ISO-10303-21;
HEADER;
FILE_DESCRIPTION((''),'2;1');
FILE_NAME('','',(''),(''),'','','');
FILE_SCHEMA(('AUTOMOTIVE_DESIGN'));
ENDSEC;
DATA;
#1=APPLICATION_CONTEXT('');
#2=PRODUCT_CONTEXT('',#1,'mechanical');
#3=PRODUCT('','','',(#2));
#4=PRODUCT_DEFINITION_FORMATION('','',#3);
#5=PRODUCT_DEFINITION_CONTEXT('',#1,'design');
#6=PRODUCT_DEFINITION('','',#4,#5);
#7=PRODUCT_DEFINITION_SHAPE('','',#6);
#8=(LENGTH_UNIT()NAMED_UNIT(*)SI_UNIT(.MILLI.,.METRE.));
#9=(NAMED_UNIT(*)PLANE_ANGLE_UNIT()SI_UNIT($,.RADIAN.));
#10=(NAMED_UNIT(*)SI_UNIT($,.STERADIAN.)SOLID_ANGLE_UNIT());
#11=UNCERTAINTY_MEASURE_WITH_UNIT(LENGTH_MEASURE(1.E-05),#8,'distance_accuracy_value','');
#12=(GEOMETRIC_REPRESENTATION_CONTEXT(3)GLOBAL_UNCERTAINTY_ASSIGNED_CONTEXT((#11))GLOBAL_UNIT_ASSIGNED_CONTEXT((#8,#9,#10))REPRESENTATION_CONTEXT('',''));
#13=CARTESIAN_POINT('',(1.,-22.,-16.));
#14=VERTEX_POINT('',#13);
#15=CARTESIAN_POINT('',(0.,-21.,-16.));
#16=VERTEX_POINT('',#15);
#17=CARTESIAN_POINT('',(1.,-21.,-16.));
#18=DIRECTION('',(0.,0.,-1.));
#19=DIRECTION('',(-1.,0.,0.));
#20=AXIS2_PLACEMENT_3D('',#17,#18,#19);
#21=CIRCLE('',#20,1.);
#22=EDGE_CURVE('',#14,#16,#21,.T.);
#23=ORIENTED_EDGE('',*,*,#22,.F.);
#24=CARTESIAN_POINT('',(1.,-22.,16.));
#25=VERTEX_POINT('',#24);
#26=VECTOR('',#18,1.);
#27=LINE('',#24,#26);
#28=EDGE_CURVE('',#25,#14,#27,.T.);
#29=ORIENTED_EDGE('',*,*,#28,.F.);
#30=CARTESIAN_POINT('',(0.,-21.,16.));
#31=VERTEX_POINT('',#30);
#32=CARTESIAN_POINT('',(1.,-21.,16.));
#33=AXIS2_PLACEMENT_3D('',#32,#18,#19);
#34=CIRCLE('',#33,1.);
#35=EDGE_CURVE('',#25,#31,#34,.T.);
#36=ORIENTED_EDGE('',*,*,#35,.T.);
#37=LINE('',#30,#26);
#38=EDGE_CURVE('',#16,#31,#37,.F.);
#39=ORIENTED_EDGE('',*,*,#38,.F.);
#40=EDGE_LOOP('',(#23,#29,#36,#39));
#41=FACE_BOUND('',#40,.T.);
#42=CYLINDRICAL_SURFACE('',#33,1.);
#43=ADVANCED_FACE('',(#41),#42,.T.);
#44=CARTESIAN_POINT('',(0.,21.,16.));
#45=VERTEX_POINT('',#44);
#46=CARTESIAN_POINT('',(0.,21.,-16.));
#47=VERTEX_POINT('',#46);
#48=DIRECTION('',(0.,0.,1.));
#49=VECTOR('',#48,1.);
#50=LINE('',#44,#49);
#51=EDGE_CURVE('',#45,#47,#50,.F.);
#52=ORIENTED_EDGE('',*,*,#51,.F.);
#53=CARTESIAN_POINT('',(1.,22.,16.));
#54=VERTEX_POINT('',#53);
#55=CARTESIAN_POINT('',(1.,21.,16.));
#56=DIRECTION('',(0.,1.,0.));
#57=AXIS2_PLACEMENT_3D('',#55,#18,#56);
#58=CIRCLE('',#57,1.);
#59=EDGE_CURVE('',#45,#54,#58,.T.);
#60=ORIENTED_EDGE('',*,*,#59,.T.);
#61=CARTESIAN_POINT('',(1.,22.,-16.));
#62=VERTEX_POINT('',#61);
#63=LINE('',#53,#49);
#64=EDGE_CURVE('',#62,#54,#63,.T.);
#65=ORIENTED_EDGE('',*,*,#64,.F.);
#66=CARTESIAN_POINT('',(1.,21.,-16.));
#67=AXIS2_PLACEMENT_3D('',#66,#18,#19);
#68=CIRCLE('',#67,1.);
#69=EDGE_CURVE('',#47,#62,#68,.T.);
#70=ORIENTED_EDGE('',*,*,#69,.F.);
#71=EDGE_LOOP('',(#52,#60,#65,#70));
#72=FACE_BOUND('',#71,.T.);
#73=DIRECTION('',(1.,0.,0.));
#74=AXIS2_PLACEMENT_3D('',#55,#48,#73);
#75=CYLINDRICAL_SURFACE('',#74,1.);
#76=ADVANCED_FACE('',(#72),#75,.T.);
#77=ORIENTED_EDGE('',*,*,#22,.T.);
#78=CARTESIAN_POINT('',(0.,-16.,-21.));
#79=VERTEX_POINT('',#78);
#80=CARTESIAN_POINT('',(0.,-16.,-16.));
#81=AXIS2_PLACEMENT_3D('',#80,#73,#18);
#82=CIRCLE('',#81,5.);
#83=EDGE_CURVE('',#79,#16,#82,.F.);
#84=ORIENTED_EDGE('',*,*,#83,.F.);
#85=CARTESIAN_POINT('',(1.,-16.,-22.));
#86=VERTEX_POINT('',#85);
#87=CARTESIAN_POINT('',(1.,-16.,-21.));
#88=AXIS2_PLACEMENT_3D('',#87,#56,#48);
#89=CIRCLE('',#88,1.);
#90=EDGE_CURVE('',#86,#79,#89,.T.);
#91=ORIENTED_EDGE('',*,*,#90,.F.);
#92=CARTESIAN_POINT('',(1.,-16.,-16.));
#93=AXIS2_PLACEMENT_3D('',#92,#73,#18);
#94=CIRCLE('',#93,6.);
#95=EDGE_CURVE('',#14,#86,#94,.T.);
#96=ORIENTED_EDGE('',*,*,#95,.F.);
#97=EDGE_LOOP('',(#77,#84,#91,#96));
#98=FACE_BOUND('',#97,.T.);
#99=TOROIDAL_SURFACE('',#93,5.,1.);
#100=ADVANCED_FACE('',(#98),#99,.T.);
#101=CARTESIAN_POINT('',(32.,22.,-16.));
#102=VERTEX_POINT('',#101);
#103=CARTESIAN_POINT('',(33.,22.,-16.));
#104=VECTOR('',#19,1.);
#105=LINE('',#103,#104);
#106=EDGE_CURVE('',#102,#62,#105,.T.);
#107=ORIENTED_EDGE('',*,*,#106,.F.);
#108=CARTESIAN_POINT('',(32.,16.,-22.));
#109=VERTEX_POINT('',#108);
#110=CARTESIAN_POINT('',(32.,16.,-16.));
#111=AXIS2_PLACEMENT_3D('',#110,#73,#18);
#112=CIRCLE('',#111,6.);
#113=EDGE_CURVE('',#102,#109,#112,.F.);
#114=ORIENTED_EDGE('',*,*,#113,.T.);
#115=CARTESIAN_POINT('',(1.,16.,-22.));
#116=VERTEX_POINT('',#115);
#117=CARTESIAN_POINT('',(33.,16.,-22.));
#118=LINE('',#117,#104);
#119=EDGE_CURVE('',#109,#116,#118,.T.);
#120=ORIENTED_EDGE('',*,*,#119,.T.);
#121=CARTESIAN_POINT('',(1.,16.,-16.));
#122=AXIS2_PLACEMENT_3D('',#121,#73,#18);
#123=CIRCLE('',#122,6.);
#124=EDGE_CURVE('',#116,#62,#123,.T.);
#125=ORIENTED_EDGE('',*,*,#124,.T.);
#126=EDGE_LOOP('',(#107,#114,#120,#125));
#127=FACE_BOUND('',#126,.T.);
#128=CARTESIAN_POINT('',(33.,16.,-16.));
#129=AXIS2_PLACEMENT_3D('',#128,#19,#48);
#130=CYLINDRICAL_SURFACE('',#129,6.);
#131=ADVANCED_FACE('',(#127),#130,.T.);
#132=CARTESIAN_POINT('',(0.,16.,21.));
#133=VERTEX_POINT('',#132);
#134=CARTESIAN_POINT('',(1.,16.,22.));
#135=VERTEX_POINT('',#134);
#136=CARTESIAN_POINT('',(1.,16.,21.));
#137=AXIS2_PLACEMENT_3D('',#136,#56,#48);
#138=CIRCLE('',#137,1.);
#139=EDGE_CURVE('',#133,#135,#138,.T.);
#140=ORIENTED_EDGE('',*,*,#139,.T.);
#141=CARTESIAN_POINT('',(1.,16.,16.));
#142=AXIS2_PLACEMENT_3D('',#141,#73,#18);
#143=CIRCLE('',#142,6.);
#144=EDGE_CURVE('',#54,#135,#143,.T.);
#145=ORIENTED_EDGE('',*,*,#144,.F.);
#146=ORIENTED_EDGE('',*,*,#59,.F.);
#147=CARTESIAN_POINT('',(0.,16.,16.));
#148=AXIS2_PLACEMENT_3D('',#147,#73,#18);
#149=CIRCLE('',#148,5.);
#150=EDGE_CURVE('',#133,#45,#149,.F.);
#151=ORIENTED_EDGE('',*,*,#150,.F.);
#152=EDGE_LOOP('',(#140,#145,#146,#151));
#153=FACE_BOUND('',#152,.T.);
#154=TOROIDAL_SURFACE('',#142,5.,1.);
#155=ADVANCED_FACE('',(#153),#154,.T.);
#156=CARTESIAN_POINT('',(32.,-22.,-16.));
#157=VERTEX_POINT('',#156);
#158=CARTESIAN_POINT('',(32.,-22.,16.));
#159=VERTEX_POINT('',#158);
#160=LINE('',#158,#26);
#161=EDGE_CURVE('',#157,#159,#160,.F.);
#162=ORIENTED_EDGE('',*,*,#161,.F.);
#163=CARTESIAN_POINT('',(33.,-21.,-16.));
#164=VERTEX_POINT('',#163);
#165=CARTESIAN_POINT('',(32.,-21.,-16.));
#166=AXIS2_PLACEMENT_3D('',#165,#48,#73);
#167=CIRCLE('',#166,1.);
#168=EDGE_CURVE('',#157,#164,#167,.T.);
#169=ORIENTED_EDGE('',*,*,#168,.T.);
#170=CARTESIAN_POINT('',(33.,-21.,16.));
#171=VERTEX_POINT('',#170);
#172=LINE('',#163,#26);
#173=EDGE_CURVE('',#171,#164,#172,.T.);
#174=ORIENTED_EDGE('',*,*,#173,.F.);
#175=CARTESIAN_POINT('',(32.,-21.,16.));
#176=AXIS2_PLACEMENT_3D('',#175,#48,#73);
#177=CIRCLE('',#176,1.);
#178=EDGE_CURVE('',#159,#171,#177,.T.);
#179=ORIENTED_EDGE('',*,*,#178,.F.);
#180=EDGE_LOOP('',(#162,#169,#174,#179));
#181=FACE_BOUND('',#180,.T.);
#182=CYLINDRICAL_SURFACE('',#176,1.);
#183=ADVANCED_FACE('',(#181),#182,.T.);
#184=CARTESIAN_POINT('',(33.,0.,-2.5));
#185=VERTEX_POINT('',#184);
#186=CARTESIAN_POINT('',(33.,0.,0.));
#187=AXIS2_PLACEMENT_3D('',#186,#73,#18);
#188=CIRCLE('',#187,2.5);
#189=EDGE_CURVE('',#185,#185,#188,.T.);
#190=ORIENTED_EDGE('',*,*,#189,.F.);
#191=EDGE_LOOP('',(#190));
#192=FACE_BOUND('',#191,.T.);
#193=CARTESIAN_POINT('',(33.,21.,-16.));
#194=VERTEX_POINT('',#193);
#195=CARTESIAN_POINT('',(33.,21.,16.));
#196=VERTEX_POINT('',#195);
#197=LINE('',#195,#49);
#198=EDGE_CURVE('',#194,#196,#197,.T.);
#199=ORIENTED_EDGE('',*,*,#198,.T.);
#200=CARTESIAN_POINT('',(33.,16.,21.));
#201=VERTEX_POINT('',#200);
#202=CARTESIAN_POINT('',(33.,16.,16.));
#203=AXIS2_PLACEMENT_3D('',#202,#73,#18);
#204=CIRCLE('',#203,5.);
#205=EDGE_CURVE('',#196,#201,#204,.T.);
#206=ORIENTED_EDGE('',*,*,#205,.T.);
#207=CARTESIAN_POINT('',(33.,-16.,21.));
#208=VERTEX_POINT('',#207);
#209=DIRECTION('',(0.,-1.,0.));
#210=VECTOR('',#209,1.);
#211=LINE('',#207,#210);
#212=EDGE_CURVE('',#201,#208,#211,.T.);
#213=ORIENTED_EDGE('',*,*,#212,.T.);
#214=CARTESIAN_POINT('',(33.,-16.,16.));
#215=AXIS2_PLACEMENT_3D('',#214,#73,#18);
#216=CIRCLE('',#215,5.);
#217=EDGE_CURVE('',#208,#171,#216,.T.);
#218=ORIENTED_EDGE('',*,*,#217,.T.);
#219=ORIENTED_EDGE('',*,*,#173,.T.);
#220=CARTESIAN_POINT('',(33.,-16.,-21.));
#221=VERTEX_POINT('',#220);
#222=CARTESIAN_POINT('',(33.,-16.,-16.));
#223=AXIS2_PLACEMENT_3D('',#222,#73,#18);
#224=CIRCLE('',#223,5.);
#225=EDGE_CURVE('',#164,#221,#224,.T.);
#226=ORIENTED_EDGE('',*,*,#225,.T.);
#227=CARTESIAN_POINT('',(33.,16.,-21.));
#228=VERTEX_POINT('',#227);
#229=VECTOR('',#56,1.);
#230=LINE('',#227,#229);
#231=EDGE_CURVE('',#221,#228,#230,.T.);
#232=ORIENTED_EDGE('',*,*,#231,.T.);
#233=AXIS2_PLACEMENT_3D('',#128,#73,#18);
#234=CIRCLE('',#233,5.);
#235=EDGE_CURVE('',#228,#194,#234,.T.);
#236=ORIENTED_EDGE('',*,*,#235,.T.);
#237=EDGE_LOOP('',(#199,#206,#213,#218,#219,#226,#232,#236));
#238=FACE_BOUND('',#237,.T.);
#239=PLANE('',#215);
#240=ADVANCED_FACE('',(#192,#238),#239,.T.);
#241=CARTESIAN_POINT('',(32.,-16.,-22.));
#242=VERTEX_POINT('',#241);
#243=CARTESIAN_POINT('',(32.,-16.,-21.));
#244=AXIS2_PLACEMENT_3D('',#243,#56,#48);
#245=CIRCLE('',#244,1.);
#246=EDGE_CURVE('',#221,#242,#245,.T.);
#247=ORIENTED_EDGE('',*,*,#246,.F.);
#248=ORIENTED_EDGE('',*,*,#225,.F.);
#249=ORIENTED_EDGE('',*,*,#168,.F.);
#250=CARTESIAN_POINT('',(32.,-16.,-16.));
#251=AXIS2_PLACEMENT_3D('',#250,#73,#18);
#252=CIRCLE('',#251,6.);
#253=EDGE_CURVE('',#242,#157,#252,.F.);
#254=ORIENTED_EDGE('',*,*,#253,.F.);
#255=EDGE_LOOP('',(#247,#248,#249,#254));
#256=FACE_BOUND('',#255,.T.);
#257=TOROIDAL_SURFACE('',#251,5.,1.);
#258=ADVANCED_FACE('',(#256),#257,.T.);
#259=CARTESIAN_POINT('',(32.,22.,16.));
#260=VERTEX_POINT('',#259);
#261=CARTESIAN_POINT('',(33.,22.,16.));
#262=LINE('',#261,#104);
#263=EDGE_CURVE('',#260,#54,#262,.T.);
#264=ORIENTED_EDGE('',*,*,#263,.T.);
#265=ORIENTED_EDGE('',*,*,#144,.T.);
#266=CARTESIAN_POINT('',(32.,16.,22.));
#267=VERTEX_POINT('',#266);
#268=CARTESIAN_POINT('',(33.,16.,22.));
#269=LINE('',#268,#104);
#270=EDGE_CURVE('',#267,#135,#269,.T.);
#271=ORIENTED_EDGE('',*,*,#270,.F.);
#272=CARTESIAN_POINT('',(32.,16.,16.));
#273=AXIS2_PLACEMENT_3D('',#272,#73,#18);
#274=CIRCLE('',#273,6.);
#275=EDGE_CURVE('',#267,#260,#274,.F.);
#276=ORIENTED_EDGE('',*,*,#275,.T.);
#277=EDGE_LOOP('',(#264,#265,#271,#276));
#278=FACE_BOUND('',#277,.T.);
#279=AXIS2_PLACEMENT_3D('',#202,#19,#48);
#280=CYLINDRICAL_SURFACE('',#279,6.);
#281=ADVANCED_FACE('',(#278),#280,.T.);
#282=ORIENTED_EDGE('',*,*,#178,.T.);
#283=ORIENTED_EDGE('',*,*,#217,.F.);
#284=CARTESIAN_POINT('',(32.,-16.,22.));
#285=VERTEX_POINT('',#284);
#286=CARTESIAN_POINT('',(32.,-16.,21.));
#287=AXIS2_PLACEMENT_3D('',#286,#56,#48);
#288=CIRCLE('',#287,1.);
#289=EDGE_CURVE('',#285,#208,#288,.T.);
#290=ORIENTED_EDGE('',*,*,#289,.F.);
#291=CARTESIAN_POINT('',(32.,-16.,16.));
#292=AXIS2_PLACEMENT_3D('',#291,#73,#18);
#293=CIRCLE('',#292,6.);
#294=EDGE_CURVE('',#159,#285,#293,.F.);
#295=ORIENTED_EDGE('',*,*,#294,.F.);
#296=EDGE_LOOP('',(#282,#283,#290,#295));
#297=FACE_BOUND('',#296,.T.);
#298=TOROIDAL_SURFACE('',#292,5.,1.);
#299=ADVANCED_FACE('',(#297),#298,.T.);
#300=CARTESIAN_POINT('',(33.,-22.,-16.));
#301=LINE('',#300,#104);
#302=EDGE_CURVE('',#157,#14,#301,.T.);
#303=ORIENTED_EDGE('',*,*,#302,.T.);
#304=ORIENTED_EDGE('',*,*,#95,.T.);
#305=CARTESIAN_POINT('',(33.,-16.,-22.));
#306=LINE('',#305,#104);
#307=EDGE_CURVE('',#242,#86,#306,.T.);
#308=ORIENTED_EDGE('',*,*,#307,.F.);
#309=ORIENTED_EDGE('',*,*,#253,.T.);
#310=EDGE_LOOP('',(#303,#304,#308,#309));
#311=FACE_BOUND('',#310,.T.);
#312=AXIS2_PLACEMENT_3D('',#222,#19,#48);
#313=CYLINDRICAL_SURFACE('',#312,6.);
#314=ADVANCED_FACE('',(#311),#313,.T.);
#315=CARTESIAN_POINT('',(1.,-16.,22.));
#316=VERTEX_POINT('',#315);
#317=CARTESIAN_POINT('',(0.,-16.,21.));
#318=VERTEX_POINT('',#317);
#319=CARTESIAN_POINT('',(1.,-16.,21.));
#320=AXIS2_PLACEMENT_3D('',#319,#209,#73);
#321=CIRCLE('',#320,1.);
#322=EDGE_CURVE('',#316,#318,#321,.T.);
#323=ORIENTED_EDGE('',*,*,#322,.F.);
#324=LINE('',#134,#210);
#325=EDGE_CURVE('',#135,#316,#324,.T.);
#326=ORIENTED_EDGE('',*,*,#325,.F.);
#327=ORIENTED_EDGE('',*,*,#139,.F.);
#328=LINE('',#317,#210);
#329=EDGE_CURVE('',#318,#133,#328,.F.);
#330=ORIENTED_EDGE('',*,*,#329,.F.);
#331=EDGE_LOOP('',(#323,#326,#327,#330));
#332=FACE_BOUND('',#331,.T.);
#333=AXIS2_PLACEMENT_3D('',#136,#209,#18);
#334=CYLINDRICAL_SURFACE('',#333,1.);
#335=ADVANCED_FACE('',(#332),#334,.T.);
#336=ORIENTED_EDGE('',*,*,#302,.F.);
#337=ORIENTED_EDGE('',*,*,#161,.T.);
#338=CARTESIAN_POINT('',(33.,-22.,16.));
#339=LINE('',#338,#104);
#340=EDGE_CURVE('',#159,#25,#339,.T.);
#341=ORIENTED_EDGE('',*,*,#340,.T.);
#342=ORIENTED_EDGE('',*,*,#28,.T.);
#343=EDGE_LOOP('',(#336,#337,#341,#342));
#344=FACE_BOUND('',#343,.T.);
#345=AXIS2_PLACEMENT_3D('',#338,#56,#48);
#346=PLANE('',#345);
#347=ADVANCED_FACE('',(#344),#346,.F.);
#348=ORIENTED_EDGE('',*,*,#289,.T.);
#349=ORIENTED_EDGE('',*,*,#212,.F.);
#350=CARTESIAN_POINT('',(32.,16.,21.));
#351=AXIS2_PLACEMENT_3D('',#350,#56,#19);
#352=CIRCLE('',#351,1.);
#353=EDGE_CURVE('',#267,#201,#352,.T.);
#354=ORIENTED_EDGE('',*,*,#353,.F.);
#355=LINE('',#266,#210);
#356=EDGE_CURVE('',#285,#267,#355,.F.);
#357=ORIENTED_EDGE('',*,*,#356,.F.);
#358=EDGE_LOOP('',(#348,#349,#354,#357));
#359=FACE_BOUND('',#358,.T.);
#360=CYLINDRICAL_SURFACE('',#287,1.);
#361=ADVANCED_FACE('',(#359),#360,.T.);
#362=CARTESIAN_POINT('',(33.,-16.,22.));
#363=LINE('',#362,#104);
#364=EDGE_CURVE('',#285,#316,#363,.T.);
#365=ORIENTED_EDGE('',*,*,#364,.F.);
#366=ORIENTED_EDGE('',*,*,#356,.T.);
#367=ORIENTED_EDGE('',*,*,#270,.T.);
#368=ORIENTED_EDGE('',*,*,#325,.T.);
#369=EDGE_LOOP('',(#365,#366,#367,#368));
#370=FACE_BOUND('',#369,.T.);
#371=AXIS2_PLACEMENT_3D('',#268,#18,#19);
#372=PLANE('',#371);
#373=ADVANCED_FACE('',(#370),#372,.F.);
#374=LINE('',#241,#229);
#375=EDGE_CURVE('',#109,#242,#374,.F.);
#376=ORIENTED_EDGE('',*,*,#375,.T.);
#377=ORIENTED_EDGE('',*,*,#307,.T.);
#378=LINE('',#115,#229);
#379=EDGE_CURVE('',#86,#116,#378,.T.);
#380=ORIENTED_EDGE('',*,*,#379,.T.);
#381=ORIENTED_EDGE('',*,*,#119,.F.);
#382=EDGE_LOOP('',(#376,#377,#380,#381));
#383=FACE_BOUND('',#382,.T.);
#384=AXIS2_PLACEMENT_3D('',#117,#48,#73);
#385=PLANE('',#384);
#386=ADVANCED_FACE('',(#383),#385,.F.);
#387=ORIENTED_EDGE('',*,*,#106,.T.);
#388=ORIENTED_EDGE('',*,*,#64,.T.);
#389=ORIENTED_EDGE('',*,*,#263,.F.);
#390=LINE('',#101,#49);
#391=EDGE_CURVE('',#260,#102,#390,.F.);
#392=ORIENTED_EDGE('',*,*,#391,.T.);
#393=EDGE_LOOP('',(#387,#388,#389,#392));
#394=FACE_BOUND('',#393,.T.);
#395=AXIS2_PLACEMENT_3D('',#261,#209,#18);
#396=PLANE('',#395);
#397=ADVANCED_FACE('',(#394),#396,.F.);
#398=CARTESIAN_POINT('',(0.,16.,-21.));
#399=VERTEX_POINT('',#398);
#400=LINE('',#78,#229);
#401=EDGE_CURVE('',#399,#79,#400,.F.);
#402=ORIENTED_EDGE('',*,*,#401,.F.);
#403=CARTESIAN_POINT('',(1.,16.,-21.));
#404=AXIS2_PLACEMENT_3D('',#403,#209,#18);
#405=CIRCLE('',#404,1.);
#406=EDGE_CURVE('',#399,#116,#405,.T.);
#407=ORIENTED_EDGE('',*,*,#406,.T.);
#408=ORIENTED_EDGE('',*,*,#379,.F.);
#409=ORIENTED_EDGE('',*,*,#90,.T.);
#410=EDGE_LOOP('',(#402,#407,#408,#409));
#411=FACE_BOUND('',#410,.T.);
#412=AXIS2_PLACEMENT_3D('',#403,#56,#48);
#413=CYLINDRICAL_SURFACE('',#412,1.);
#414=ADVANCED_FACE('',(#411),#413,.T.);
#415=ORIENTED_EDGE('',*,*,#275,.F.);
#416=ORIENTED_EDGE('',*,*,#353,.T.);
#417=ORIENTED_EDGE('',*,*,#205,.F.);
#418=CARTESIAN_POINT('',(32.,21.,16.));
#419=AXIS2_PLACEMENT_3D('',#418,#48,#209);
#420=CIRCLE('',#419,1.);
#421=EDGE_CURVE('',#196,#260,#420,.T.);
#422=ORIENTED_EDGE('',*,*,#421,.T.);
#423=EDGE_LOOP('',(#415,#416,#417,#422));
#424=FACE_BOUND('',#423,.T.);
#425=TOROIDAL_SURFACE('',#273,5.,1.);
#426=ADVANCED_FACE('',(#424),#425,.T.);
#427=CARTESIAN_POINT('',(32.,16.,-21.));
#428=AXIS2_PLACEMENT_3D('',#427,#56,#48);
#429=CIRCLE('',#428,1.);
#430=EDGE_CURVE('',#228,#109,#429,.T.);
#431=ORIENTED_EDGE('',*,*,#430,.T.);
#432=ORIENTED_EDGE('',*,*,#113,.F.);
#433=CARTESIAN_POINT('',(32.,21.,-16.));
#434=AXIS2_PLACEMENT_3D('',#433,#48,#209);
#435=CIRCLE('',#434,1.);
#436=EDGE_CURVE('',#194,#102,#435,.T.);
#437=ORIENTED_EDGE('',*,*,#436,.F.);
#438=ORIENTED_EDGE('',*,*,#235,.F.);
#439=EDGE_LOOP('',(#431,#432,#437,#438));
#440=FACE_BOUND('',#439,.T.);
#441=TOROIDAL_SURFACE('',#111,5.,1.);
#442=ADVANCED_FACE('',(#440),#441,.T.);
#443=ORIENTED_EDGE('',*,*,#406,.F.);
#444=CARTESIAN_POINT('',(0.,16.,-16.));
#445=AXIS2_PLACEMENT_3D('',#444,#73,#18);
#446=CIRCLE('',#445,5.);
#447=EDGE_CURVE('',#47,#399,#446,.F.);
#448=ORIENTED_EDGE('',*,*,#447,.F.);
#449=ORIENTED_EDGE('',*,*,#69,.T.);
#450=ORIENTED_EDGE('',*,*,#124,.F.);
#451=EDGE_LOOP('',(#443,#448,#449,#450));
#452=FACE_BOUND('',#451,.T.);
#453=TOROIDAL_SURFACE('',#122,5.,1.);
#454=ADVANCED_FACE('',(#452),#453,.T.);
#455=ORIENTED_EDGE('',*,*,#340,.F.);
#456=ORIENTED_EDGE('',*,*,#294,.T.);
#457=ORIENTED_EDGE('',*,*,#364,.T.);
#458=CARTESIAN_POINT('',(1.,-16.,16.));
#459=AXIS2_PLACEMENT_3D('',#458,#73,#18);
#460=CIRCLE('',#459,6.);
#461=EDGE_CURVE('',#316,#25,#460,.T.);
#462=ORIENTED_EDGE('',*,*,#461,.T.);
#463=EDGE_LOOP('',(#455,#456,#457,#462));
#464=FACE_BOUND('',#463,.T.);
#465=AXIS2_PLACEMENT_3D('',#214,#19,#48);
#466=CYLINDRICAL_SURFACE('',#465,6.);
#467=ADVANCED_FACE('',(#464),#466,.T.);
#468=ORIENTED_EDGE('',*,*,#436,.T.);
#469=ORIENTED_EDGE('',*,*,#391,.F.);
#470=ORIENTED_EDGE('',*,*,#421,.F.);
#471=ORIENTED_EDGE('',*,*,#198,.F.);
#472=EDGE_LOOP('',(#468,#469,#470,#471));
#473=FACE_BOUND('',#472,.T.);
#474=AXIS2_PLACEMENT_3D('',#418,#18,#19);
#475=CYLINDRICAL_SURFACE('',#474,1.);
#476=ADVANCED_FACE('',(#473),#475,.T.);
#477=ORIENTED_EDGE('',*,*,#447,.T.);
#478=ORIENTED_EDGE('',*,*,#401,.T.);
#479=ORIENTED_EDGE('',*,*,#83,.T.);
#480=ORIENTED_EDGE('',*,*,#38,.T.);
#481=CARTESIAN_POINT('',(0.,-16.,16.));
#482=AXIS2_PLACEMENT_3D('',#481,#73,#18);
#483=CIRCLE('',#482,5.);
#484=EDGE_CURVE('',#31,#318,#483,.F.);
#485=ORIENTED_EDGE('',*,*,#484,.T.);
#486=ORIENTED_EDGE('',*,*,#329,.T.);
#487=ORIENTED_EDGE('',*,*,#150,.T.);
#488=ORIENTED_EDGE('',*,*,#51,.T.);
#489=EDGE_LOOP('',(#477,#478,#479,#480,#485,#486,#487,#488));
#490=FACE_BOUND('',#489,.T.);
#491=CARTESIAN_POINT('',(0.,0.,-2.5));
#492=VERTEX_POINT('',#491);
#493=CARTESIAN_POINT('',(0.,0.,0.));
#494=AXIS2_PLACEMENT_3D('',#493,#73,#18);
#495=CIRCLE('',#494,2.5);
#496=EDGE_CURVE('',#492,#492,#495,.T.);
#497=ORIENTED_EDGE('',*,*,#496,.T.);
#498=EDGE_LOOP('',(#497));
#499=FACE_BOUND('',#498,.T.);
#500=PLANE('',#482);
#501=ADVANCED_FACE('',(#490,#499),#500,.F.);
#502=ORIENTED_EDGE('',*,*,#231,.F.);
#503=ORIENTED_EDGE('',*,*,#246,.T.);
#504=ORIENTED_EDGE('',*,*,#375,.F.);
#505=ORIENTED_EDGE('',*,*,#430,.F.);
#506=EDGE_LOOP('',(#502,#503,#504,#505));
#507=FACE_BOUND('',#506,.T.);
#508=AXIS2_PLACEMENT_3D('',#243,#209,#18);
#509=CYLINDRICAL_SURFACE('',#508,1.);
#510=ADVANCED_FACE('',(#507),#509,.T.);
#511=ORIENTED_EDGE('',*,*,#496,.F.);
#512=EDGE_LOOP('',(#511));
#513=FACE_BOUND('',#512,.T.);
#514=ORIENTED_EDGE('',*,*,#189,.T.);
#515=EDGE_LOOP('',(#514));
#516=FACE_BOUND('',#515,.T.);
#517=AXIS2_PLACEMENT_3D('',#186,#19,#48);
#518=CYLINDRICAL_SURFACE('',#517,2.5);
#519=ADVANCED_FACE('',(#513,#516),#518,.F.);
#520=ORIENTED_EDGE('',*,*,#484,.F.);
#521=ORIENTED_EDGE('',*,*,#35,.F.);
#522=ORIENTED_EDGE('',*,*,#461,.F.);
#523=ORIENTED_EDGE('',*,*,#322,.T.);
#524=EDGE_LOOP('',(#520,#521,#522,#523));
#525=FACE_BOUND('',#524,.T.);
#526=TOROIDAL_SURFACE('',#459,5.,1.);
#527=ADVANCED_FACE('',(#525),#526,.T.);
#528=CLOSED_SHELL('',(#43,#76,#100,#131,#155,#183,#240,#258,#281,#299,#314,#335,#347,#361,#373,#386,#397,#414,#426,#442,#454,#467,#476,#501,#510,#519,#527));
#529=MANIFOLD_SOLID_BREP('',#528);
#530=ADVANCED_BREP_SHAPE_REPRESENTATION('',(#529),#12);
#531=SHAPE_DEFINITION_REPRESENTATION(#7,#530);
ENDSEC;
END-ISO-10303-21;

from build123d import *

# Parameters (mm, degrees)
SKETCH1_R           = 2.5
BOSS_EXTRUDE1_DEPTH = 33
FILLET1_R           = 1


with BuildPart() as part:
    # Sketch1 → Boss-Extrude1 (new body)
    with BuildSketch(Plane(origin=(0, 0, 0), x_dir=(0, 0, -1), z_dir=(1, 0, 0))):
        with BuildLine():
            Line((-16, 22), (16, 22))
            ThreePointArc((16, 22), (20.242640687, 20.242640687), (22, 16))
            Line((22, 16), (22, -16))
            ThreePointArc((22, -16), (20.242640687, -20.242640687), (16, -22))
            Line((16, -22), (-16, -22))
            ThreePointArc((-16, -22), (-20.242640687, -20.242640687), (-22, -16))
            Line((-22, -16), (-22, 16))
            ThreePointArc((-22, 16), (-20.242640687, 20.242640687), (-16, 22))
        make_face()
        Circle(SKETCH1_R, mode=Mode.SUBTRACT)
    extrude(amount=BOSS_EXTRUDE1_DEPTH)

    # Fillet1
    fillet1_edges = [part.edges().sort_by_distance(p)[0] for p in [
        (0, 0, -22),
        (0, -20.242640687, -20.242640687),
        (0, -22, 0),
        (0, -20.242640687, 20.242640687),
        (33, -20.242640687, -20.242640687),
        (33, 0, -22),
        (33, 20.242640687, -20.242640687),
        (33, 22, 0),
        (33, 20.242640687, 20.242640687),
        (33, 0, 22),
        (33, -20.242640687, 20.242640687),
        (0, 0, 22),
        (33, -22, 0),
        (0, 20.242640687, 20.242640687),
        (0, 22, 0),
        (0, 20.242640687, -20.242640687),
    ]]
    fillet(fillet1_edges, radius=FILLET1_R)


solid = part.part
